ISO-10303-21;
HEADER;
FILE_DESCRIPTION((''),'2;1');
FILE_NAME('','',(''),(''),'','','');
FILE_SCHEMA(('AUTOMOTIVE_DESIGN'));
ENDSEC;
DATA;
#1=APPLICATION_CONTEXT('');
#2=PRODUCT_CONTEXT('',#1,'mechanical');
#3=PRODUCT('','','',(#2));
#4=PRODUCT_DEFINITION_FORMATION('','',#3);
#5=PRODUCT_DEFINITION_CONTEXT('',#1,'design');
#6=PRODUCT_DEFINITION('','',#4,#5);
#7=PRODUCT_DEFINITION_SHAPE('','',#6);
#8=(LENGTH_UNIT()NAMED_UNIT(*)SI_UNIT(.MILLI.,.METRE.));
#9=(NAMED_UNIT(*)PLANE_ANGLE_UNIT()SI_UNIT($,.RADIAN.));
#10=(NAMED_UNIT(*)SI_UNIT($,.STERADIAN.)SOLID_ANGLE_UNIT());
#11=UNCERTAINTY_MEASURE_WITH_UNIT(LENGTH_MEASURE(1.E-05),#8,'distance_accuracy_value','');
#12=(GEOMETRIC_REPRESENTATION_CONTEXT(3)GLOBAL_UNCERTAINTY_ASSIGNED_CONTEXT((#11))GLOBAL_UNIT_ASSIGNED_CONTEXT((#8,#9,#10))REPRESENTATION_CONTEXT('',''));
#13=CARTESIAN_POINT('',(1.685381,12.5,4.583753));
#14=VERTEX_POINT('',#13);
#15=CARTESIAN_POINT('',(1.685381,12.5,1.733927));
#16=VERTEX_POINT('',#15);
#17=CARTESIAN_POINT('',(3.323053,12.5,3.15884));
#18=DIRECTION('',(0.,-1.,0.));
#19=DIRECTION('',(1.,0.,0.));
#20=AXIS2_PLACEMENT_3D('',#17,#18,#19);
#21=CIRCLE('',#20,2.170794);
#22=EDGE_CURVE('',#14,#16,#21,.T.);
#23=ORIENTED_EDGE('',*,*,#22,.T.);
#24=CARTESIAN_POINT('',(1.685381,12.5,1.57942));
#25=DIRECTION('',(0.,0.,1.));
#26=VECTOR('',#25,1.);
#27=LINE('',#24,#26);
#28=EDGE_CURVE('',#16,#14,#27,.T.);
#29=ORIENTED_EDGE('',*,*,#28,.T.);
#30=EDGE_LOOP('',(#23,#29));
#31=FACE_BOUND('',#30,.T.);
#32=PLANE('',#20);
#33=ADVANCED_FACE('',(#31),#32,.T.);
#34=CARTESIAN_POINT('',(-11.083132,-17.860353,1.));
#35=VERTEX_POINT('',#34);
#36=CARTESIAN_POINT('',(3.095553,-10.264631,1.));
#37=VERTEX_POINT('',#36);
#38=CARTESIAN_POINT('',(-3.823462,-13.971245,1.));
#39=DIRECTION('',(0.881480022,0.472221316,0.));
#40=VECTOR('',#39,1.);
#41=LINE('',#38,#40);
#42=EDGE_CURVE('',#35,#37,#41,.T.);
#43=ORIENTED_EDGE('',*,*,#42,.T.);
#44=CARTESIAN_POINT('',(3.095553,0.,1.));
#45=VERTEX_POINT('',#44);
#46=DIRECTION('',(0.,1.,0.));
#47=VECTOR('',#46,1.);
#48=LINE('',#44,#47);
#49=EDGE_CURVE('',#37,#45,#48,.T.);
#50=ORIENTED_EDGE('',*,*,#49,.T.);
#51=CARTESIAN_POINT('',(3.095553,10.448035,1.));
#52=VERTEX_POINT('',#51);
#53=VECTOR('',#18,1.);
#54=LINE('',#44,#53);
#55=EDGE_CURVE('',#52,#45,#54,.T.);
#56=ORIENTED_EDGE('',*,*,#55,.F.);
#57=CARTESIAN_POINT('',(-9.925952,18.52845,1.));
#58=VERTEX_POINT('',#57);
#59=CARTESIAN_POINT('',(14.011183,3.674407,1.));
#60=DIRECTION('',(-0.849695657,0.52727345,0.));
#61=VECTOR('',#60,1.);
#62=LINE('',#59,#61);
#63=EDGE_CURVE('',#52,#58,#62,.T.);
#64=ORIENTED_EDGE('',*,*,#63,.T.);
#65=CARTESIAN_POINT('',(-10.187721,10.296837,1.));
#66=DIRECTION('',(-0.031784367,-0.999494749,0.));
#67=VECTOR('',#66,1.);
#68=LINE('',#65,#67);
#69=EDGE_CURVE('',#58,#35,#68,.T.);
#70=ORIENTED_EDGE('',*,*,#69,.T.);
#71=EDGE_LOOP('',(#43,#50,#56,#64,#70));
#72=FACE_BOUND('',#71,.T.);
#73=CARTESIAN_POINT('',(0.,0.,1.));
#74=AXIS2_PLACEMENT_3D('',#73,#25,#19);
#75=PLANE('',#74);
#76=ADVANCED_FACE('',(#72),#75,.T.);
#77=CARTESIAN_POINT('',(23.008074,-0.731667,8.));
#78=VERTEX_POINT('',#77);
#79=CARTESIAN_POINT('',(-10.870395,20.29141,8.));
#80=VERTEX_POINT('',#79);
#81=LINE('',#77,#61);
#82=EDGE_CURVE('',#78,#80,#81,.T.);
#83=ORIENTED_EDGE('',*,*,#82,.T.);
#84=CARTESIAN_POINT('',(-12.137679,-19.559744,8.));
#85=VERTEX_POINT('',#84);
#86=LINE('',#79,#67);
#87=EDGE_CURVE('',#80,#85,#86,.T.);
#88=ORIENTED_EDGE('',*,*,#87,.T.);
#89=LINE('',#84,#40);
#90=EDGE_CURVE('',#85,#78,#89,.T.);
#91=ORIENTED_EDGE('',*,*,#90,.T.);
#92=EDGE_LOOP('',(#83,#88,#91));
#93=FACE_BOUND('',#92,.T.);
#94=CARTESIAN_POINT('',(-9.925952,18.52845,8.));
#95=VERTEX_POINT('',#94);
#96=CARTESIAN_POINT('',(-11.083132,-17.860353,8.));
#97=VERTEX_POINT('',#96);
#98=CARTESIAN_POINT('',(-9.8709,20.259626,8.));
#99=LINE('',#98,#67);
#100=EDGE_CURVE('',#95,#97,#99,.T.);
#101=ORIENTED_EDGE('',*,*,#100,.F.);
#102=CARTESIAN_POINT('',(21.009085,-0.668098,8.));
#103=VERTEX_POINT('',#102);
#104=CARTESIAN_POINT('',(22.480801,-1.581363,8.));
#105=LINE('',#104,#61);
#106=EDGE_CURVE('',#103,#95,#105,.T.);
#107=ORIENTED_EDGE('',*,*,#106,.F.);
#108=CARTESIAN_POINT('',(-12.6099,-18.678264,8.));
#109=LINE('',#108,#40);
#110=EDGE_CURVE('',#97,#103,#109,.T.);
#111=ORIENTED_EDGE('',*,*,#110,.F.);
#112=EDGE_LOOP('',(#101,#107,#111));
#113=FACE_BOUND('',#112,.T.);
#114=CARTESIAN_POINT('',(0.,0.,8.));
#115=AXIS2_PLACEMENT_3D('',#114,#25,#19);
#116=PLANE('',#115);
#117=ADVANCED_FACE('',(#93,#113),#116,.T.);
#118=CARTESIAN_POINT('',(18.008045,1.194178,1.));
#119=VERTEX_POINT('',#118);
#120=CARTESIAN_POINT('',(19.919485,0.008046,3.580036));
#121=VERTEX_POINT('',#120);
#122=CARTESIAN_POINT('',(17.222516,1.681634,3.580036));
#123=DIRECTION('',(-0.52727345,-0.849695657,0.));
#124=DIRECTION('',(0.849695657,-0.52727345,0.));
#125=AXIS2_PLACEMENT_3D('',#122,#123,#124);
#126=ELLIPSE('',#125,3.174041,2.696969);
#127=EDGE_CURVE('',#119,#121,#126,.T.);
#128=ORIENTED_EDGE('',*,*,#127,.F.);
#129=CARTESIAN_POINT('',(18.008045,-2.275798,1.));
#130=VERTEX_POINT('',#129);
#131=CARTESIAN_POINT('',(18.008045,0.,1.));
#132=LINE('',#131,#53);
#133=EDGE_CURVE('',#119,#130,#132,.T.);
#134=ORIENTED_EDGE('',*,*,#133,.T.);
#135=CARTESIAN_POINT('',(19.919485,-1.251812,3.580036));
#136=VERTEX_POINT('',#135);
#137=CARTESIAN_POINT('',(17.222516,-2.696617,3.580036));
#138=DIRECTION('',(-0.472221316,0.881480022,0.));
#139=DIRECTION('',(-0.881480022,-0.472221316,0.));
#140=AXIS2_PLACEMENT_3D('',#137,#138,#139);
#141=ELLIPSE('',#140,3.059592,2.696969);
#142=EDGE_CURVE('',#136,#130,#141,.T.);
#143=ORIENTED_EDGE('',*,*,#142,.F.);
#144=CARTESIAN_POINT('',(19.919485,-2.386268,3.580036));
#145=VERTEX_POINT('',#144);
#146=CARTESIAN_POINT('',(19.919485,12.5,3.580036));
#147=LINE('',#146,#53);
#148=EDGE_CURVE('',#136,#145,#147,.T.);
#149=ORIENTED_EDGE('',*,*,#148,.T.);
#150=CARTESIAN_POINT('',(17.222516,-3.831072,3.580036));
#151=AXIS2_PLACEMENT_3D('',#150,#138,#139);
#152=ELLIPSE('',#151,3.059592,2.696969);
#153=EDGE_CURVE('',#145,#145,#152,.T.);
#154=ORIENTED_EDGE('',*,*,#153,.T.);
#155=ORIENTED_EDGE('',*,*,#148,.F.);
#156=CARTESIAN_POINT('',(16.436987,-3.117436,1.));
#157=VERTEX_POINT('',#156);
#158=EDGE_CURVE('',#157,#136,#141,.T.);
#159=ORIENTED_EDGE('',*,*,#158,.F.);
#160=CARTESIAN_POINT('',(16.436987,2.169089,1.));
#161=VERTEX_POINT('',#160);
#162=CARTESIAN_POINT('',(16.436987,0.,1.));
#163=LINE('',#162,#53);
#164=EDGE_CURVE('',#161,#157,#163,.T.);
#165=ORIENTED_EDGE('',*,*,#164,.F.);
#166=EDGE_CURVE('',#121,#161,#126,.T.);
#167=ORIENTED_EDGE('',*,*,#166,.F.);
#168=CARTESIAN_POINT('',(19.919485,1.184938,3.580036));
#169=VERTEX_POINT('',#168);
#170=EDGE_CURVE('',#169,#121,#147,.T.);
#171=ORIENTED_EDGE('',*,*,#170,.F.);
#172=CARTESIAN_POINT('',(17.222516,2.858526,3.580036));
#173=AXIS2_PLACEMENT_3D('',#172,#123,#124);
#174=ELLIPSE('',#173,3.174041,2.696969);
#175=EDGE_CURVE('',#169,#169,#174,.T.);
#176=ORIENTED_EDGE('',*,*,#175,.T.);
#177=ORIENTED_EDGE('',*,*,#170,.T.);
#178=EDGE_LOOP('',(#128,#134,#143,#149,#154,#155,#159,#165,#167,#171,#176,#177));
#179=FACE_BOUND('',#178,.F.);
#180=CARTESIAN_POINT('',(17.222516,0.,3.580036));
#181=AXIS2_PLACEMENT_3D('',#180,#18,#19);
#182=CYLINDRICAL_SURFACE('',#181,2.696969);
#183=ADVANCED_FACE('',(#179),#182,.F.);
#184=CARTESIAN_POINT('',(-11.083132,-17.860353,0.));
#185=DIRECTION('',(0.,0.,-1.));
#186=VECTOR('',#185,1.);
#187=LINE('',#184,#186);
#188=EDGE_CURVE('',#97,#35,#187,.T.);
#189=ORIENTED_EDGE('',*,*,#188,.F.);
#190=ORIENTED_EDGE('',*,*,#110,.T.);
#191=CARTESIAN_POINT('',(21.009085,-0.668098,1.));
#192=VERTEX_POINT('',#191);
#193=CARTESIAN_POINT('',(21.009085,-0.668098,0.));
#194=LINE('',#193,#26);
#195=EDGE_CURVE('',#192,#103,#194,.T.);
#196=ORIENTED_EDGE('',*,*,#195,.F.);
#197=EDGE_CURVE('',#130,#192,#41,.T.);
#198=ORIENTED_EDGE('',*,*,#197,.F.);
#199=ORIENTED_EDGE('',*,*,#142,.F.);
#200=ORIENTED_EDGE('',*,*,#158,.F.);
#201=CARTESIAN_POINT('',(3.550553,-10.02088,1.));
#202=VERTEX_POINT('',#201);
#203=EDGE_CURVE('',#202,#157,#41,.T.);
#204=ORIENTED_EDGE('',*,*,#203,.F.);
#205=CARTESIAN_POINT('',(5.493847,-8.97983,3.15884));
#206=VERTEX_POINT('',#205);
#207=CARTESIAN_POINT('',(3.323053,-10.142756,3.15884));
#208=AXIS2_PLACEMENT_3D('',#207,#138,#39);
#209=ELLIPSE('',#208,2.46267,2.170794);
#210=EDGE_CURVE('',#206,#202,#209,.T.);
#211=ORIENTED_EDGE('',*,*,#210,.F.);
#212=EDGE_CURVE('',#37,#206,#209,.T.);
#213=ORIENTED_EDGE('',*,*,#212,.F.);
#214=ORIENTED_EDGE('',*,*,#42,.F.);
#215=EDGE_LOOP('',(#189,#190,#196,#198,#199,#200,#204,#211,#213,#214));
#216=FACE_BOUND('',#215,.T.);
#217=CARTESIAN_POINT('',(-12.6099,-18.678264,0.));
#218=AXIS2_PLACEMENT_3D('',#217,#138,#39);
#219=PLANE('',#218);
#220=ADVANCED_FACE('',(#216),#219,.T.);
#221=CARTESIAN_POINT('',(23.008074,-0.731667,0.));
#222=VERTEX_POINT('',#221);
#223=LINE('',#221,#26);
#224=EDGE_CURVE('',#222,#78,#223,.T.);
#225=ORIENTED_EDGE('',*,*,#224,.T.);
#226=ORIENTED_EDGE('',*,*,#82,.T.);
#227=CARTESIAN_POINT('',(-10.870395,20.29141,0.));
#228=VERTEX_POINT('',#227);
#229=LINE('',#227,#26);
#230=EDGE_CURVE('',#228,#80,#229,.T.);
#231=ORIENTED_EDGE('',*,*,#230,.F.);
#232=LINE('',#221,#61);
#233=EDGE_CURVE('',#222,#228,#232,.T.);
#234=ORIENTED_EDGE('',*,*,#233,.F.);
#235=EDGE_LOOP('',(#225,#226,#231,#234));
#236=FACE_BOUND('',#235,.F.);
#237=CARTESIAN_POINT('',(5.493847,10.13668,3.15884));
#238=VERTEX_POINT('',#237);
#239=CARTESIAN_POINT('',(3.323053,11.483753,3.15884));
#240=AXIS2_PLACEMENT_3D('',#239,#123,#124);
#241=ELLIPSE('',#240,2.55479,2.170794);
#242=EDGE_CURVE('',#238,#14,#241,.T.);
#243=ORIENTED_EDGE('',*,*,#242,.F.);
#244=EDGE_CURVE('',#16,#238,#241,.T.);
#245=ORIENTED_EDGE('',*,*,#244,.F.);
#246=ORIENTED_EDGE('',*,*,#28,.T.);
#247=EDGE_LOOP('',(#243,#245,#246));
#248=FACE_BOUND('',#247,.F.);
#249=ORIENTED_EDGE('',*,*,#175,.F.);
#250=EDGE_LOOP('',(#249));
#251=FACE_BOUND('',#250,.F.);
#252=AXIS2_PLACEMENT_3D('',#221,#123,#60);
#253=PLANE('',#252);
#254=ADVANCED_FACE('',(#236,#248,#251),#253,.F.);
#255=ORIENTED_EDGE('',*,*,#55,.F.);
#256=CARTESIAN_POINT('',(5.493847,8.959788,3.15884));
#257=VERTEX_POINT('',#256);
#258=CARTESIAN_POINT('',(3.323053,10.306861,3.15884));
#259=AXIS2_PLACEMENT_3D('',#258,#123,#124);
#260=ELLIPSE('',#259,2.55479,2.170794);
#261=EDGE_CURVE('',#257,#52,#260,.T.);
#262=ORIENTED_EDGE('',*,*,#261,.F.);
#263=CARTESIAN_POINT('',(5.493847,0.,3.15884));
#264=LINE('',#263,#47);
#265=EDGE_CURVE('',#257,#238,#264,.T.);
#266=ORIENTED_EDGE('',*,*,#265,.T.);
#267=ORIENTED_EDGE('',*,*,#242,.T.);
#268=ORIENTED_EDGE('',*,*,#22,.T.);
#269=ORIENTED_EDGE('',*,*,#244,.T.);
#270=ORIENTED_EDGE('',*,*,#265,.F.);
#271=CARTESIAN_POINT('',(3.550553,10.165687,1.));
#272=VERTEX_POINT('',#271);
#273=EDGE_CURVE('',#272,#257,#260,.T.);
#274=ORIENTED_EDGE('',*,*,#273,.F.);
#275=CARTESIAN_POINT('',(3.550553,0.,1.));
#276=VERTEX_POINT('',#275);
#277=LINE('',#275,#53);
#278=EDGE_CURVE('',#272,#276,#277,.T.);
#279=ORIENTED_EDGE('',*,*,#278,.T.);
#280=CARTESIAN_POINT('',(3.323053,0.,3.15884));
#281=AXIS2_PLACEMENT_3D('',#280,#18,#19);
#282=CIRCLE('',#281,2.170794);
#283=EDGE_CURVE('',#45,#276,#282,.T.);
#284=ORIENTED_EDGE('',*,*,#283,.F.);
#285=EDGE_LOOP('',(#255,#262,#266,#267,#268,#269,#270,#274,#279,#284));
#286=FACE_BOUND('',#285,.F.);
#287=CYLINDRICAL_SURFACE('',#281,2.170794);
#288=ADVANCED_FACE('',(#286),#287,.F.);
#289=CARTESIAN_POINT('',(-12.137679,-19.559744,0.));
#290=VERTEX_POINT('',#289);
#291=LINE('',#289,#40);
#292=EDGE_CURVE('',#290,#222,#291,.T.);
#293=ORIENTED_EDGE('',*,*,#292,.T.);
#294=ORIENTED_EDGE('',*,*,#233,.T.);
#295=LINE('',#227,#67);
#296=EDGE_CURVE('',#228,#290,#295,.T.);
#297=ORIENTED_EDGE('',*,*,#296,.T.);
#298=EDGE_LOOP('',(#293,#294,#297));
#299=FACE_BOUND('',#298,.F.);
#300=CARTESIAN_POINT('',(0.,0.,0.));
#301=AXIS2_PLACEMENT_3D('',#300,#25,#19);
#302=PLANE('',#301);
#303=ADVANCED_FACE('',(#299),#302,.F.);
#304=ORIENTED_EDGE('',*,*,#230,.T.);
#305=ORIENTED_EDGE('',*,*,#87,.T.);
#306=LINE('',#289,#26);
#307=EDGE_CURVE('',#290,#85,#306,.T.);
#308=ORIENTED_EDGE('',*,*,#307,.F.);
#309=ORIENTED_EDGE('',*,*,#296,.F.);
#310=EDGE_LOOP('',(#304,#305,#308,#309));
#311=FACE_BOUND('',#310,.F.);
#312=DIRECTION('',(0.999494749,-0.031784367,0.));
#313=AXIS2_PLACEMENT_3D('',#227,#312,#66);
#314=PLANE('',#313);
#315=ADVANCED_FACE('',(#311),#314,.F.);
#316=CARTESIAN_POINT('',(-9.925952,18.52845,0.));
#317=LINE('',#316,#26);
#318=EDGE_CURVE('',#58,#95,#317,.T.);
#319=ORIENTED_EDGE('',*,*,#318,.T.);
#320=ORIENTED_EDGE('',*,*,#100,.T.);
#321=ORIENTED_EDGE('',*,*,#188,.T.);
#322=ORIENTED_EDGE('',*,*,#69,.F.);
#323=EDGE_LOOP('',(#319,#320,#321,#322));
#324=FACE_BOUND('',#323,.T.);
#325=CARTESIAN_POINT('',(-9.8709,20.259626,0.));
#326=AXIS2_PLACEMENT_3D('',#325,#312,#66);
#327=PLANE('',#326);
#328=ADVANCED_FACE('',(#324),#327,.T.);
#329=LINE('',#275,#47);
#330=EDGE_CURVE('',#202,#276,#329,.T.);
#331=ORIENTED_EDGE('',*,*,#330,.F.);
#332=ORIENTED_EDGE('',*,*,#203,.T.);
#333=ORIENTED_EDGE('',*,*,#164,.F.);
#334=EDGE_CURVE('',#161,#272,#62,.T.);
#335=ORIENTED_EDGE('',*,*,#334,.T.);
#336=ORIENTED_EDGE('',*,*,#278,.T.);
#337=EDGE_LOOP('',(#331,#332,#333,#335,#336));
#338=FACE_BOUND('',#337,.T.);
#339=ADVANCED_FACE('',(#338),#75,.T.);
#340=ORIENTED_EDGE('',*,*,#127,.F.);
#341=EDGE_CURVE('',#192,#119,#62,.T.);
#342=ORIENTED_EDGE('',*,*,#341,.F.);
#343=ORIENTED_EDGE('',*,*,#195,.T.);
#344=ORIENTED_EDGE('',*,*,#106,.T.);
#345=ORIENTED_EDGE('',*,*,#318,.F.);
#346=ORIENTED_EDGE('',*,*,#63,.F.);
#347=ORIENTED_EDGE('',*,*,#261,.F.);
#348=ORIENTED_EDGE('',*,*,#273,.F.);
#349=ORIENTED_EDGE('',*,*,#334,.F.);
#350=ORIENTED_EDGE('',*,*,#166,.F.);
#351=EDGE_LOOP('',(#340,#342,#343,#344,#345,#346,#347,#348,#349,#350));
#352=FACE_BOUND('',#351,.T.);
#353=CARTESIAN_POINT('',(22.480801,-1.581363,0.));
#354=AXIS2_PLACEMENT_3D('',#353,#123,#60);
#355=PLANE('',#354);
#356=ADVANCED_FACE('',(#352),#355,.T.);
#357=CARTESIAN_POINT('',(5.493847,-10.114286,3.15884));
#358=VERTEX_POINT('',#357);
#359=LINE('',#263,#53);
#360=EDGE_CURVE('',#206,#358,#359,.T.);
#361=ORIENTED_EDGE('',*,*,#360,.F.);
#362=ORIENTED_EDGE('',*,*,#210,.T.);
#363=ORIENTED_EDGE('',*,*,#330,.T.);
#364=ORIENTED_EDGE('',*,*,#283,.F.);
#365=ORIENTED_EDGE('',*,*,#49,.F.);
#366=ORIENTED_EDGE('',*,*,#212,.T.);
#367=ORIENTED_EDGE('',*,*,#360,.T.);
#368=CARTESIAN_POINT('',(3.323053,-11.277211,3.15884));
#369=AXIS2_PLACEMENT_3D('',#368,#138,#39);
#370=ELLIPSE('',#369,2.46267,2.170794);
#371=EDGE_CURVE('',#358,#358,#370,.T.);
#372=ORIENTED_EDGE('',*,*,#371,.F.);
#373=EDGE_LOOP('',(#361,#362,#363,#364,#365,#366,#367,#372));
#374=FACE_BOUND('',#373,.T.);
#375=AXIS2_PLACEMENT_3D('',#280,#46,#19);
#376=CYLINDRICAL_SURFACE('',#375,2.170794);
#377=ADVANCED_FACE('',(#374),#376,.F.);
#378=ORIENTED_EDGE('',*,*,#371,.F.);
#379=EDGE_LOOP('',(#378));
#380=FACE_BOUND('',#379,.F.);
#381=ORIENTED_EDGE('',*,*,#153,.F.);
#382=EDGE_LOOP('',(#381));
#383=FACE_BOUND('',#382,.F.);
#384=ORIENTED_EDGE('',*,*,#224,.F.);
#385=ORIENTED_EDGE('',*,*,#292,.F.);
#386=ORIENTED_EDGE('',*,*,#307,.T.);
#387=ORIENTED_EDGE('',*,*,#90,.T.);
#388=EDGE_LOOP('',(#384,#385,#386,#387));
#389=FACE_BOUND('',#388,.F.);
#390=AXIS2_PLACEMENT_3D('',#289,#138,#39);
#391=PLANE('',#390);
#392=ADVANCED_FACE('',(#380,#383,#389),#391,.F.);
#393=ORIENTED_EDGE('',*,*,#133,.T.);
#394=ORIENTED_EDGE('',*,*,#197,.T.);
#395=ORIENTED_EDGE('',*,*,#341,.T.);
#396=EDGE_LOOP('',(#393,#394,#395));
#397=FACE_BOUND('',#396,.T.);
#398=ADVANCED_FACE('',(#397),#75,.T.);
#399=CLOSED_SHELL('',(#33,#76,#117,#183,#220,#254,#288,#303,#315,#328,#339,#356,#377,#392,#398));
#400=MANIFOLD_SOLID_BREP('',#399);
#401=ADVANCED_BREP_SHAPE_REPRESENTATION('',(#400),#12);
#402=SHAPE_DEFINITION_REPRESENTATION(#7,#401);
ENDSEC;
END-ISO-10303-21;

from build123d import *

# Parameters (mm, degrees)
F1_DEPTH = 8
F2_T     = -1
F3_R     = 2.170794
F3_R_2   = 2.696969
F4_DEPTH = 12.5


with BuildPart() as f1:
    # F0 (on Top) → F1 (new body)
    with BuildSketch(Plane.XY):
        Polygon((-12.137679, -19.559744), (23.008074, -0.731667), (-10.870395, 20.29141), align=None)
    extrude(amount=F1_DEPTH)

    # F2
    f2_openings = [f1.faces().sort_by_distance(p)[0] for p in [
        (0, 0, 8),
    ]]
    offset(amount=F2_T, openings=f2_openings)

    # F3 (on Front) → F4 (cut, symmetric)
    with BuildSketch(Plane.XZ):
        with Locations((3.323053, 3.15884)):
            Circle(F3_R)
        with Locations((17.222516, 3.580036)):
            Circle(F3_R_2)
    extrude(amount=F4_DEPTH, both=True, mode=Mode.SUBTRACT)


solid = f1.part
